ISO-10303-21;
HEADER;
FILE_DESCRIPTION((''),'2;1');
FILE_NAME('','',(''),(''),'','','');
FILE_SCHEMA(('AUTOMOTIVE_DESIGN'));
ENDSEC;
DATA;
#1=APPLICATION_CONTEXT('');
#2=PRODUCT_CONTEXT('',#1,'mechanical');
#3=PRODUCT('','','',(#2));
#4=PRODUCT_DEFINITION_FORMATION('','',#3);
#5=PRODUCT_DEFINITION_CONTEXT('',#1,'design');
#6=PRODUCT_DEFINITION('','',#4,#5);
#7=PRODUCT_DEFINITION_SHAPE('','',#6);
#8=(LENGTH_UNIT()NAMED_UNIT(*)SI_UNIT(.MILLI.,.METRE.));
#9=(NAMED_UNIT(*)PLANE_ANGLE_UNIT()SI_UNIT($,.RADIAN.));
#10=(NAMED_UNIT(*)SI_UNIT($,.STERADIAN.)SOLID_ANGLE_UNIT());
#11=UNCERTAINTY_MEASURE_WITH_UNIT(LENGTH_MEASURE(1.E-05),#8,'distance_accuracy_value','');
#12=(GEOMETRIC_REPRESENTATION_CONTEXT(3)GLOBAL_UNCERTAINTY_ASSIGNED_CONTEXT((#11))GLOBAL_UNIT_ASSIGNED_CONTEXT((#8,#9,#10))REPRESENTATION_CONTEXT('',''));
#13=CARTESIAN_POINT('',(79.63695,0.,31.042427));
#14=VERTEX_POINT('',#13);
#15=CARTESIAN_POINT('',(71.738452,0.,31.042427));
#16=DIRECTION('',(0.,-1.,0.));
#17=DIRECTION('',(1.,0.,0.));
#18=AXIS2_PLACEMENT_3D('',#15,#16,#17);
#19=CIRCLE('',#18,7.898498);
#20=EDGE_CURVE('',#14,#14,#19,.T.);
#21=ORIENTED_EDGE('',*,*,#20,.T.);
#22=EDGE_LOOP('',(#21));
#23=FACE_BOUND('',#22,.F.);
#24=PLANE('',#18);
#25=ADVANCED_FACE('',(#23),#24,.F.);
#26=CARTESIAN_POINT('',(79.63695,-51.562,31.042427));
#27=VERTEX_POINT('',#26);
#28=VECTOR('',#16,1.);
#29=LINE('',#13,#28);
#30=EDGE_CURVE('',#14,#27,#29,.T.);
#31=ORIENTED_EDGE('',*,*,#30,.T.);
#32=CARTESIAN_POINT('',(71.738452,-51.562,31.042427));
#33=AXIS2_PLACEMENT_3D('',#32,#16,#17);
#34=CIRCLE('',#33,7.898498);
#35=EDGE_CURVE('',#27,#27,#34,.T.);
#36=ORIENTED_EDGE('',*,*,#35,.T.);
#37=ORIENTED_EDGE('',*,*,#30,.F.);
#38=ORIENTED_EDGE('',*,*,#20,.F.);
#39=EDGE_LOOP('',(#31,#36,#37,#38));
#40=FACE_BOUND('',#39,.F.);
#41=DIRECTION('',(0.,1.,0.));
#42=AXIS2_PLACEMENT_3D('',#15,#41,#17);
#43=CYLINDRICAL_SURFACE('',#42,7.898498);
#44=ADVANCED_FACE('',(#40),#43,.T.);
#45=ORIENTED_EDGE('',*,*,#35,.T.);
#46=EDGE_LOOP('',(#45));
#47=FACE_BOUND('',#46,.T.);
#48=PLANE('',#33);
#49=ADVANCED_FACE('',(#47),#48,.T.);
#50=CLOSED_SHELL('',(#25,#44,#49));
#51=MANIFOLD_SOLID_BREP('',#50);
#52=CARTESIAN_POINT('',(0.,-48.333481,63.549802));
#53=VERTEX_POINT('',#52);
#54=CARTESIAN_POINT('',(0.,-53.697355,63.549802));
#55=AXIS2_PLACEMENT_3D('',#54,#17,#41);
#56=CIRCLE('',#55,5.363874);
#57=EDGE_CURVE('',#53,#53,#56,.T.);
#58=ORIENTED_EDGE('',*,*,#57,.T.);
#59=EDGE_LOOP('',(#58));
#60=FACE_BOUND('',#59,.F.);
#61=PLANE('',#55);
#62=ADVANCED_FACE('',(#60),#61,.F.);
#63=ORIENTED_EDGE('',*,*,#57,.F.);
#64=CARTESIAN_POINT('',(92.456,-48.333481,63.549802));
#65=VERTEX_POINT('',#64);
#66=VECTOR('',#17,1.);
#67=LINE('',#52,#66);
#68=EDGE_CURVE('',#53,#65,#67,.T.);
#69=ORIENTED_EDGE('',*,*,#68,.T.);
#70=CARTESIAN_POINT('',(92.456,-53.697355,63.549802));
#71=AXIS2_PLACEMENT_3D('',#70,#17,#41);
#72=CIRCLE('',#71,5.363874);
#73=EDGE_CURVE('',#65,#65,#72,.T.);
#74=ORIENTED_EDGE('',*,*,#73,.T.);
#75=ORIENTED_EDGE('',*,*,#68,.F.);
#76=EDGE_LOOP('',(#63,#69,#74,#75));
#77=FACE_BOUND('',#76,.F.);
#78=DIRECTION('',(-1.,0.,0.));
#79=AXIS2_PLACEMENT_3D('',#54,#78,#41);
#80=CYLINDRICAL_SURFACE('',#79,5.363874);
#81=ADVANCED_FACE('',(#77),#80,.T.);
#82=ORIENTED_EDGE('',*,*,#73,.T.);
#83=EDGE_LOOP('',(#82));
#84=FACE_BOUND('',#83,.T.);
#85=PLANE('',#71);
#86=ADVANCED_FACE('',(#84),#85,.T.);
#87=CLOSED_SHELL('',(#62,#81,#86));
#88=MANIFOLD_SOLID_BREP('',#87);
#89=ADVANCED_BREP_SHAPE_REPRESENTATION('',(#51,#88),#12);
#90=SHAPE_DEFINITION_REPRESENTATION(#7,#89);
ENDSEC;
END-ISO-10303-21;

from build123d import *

# Parameters (mm, degrees)
F0_R     = 5.363874
F1_DEPTH = 92.456
F2_R     = 7.898498
F3_DEPTH = 51.562


with BuildPart() as f1:
    # F0 (on Right) → F1 (new body)
    with BuildSketch(Plane.YZ):
        with Locations((-53.697355, 63.549802)):
            Circle(F0_R)
    extrude(amount=F1_DEPTH)


with BuildPart() as f3:
    # F2 (on Front) → F3 (new body)
    with BuildSketch(Plane.XZ):
        with Locations((71.738452, 31.042427)):
            Circle(F2_R)
    extrude(amount=F3_DEPTH)


solid = Compound([f1.part, f3.part])
